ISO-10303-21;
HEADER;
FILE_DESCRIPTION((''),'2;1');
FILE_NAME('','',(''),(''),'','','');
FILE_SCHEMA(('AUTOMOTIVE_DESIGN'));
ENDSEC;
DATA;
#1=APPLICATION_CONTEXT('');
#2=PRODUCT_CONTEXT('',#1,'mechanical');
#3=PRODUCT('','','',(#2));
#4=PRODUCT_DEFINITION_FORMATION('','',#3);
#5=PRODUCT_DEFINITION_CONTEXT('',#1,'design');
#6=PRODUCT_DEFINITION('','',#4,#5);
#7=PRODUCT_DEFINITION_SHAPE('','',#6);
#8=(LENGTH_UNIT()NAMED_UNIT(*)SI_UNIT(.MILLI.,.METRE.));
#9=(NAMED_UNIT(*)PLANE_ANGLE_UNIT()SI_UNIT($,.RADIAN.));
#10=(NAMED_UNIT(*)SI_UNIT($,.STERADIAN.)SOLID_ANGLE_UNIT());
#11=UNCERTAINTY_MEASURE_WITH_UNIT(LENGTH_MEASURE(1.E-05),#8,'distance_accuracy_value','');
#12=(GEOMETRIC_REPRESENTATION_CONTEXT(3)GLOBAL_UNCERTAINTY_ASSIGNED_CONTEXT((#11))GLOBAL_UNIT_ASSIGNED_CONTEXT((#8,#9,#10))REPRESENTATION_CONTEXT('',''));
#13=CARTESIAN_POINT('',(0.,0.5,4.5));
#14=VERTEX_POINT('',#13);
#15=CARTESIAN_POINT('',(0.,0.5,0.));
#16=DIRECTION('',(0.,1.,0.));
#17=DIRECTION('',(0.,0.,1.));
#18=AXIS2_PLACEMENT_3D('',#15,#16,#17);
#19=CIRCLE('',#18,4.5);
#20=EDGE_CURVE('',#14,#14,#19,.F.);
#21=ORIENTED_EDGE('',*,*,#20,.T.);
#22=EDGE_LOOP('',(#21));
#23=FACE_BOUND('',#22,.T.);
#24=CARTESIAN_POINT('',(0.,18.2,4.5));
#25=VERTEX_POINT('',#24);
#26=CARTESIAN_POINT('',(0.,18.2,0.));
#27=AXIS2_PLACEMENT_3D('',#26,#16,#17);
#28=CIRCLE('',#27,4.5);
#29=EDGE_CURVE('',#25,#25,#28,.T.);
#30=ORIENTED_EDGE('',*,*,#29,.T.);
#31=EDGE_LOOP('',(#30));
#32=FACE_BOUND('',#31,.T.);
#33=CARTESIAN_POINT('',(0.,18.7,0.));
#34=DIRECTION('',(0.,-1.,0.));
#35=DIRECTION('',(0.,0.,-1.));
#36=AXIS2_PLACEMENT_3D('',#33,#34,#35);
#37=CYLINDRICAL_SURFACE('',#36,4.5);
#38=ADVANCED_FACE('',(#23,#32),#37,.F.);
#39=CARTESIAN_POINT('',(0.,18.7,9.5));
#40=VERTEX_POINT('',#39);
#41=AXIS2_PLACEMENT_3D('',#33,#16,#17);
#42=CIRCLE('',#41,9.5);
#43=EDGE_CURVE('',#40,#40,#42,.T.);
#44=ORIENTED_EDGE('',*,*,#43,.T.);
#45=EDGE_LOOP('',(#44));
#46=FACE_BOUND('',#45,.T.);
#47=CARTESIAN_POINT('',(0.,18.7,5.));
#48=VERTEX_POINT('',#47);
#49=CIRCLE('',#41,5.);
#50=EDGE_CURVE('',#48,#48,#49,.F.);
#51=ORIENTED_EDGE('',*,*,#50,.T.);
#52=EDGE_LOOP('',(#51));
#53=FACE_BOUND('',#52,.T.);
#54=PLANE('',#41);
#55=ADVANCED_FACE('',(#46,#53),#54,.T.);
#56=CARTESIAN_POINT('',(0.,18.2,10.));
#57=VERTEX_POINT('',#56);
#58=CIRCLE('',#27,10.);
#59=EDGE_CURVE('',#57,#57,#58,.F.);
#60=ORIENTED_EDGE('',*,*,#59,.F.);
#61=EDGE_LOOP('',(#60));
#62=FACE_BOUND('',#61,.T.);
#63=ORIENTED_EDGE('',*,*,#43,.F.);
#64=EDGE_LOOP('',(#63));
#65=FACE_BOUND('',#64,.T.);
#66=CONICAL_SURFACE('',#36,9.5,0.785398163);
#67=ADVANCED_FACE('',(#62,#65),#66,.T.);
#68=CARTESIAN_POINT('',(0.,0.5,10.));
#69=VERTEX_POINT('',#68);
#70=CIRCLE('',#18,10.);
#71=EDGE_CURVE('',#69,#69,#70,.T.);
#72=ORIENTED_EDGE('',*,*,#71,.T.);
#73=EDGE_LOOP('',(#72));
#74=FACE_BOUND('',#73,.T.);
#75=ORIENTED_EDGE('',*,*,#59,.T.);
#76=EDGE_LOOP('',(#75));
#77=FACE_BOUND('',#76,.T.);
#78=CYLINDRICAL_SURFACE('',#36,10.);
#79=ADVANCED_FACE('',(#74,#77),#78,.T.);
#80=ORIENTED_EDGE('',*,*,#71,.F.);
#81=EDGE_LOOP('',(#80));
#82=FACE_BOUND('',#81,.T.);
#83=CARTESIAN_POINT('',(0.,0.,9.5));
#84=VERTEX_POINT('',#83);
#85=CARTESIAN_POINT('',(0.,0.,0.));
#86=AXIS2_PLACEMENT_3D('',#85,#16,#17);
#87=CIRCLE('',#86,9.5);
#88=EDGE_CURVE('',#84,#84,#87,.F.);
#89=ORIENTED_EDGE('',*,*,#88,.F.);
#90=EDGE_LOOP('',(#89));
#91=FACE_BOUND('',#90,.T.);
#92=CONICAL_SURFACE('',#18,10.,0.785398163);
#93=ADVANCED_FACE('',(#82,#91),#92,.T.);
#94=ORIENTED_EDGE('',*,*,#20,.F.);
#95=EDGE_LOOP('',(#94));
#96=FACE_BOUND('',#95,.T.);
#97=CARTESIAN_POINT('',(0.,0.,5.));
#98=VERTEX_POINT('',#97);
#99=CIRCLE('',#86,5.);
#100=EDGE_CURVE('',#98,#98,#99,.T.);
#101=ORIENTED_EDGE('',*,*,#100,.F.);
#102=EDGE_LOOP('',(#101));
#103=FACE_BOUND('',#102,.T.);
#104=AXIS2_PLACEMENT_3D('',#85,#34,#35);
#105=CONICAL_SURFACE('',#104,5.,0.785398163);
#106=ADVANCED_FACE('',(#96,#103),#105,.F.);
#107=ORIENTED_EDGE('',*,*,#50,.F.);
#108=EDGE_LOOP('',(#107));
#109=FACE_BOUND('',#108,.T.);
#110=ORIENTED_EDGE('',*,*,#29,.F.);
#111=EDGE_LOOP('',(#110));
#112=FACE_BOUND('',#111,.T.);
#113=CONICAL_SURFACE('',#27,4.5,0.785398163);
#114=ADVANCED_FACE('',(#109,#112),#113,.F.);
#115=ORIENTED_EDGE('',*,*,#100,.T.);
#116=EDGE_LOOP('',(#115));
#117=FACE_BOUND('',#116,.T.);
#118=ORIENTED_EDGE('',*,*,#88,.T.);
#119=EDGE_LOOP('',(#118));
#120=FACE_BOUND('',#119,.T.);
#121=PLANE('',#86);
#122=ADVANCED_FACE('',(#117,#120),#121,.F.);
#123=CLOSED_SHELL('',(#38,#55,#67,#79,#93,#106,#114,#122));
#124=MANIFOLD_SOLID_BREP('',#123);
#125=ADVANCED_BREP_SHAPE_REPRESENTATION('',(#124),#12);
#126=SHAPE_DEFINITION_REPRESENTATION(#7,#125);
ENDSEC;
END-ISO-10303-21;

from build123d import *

# Parameters (mm, degrees)
SKETCH1_R     = 10
SKETCH1_R_2   = 4.5
BODY_DEPTH    = 18.7
CHAMFER1_SIZE = 0.5


with BuildPart() as part:
    # Sketch1 → Body (new body)
    with BuildSketch(Plane(origin=(0, 0, 0), x_dir=(1, 0, 0), z_dir=(0, 1, 0))):
        with Locations(Location((0, 0, 0), (0, 0, 270))):
            Circle(SKETCH1_R)
        with Locations(Location((0, 0, 0), (0, 0, 270))):
            Circle(SKETCH1_R_2, mode=Mode.SUBTRACT)
    extrude(amount=BODY_DEPTH)

    # Chamfer1
    chamfer1_edges = [part.edges().sort_by_distance(p)[0] for p in [
        (0, 0, -10),
        (0, 18.7, -10),
        (0, 0, -4.5),
        (0, 18.7, -4.5),
    ]]
    chamfer(chamfer1_edges, length=CHAMFER1_SIZE)


solid = part.part
